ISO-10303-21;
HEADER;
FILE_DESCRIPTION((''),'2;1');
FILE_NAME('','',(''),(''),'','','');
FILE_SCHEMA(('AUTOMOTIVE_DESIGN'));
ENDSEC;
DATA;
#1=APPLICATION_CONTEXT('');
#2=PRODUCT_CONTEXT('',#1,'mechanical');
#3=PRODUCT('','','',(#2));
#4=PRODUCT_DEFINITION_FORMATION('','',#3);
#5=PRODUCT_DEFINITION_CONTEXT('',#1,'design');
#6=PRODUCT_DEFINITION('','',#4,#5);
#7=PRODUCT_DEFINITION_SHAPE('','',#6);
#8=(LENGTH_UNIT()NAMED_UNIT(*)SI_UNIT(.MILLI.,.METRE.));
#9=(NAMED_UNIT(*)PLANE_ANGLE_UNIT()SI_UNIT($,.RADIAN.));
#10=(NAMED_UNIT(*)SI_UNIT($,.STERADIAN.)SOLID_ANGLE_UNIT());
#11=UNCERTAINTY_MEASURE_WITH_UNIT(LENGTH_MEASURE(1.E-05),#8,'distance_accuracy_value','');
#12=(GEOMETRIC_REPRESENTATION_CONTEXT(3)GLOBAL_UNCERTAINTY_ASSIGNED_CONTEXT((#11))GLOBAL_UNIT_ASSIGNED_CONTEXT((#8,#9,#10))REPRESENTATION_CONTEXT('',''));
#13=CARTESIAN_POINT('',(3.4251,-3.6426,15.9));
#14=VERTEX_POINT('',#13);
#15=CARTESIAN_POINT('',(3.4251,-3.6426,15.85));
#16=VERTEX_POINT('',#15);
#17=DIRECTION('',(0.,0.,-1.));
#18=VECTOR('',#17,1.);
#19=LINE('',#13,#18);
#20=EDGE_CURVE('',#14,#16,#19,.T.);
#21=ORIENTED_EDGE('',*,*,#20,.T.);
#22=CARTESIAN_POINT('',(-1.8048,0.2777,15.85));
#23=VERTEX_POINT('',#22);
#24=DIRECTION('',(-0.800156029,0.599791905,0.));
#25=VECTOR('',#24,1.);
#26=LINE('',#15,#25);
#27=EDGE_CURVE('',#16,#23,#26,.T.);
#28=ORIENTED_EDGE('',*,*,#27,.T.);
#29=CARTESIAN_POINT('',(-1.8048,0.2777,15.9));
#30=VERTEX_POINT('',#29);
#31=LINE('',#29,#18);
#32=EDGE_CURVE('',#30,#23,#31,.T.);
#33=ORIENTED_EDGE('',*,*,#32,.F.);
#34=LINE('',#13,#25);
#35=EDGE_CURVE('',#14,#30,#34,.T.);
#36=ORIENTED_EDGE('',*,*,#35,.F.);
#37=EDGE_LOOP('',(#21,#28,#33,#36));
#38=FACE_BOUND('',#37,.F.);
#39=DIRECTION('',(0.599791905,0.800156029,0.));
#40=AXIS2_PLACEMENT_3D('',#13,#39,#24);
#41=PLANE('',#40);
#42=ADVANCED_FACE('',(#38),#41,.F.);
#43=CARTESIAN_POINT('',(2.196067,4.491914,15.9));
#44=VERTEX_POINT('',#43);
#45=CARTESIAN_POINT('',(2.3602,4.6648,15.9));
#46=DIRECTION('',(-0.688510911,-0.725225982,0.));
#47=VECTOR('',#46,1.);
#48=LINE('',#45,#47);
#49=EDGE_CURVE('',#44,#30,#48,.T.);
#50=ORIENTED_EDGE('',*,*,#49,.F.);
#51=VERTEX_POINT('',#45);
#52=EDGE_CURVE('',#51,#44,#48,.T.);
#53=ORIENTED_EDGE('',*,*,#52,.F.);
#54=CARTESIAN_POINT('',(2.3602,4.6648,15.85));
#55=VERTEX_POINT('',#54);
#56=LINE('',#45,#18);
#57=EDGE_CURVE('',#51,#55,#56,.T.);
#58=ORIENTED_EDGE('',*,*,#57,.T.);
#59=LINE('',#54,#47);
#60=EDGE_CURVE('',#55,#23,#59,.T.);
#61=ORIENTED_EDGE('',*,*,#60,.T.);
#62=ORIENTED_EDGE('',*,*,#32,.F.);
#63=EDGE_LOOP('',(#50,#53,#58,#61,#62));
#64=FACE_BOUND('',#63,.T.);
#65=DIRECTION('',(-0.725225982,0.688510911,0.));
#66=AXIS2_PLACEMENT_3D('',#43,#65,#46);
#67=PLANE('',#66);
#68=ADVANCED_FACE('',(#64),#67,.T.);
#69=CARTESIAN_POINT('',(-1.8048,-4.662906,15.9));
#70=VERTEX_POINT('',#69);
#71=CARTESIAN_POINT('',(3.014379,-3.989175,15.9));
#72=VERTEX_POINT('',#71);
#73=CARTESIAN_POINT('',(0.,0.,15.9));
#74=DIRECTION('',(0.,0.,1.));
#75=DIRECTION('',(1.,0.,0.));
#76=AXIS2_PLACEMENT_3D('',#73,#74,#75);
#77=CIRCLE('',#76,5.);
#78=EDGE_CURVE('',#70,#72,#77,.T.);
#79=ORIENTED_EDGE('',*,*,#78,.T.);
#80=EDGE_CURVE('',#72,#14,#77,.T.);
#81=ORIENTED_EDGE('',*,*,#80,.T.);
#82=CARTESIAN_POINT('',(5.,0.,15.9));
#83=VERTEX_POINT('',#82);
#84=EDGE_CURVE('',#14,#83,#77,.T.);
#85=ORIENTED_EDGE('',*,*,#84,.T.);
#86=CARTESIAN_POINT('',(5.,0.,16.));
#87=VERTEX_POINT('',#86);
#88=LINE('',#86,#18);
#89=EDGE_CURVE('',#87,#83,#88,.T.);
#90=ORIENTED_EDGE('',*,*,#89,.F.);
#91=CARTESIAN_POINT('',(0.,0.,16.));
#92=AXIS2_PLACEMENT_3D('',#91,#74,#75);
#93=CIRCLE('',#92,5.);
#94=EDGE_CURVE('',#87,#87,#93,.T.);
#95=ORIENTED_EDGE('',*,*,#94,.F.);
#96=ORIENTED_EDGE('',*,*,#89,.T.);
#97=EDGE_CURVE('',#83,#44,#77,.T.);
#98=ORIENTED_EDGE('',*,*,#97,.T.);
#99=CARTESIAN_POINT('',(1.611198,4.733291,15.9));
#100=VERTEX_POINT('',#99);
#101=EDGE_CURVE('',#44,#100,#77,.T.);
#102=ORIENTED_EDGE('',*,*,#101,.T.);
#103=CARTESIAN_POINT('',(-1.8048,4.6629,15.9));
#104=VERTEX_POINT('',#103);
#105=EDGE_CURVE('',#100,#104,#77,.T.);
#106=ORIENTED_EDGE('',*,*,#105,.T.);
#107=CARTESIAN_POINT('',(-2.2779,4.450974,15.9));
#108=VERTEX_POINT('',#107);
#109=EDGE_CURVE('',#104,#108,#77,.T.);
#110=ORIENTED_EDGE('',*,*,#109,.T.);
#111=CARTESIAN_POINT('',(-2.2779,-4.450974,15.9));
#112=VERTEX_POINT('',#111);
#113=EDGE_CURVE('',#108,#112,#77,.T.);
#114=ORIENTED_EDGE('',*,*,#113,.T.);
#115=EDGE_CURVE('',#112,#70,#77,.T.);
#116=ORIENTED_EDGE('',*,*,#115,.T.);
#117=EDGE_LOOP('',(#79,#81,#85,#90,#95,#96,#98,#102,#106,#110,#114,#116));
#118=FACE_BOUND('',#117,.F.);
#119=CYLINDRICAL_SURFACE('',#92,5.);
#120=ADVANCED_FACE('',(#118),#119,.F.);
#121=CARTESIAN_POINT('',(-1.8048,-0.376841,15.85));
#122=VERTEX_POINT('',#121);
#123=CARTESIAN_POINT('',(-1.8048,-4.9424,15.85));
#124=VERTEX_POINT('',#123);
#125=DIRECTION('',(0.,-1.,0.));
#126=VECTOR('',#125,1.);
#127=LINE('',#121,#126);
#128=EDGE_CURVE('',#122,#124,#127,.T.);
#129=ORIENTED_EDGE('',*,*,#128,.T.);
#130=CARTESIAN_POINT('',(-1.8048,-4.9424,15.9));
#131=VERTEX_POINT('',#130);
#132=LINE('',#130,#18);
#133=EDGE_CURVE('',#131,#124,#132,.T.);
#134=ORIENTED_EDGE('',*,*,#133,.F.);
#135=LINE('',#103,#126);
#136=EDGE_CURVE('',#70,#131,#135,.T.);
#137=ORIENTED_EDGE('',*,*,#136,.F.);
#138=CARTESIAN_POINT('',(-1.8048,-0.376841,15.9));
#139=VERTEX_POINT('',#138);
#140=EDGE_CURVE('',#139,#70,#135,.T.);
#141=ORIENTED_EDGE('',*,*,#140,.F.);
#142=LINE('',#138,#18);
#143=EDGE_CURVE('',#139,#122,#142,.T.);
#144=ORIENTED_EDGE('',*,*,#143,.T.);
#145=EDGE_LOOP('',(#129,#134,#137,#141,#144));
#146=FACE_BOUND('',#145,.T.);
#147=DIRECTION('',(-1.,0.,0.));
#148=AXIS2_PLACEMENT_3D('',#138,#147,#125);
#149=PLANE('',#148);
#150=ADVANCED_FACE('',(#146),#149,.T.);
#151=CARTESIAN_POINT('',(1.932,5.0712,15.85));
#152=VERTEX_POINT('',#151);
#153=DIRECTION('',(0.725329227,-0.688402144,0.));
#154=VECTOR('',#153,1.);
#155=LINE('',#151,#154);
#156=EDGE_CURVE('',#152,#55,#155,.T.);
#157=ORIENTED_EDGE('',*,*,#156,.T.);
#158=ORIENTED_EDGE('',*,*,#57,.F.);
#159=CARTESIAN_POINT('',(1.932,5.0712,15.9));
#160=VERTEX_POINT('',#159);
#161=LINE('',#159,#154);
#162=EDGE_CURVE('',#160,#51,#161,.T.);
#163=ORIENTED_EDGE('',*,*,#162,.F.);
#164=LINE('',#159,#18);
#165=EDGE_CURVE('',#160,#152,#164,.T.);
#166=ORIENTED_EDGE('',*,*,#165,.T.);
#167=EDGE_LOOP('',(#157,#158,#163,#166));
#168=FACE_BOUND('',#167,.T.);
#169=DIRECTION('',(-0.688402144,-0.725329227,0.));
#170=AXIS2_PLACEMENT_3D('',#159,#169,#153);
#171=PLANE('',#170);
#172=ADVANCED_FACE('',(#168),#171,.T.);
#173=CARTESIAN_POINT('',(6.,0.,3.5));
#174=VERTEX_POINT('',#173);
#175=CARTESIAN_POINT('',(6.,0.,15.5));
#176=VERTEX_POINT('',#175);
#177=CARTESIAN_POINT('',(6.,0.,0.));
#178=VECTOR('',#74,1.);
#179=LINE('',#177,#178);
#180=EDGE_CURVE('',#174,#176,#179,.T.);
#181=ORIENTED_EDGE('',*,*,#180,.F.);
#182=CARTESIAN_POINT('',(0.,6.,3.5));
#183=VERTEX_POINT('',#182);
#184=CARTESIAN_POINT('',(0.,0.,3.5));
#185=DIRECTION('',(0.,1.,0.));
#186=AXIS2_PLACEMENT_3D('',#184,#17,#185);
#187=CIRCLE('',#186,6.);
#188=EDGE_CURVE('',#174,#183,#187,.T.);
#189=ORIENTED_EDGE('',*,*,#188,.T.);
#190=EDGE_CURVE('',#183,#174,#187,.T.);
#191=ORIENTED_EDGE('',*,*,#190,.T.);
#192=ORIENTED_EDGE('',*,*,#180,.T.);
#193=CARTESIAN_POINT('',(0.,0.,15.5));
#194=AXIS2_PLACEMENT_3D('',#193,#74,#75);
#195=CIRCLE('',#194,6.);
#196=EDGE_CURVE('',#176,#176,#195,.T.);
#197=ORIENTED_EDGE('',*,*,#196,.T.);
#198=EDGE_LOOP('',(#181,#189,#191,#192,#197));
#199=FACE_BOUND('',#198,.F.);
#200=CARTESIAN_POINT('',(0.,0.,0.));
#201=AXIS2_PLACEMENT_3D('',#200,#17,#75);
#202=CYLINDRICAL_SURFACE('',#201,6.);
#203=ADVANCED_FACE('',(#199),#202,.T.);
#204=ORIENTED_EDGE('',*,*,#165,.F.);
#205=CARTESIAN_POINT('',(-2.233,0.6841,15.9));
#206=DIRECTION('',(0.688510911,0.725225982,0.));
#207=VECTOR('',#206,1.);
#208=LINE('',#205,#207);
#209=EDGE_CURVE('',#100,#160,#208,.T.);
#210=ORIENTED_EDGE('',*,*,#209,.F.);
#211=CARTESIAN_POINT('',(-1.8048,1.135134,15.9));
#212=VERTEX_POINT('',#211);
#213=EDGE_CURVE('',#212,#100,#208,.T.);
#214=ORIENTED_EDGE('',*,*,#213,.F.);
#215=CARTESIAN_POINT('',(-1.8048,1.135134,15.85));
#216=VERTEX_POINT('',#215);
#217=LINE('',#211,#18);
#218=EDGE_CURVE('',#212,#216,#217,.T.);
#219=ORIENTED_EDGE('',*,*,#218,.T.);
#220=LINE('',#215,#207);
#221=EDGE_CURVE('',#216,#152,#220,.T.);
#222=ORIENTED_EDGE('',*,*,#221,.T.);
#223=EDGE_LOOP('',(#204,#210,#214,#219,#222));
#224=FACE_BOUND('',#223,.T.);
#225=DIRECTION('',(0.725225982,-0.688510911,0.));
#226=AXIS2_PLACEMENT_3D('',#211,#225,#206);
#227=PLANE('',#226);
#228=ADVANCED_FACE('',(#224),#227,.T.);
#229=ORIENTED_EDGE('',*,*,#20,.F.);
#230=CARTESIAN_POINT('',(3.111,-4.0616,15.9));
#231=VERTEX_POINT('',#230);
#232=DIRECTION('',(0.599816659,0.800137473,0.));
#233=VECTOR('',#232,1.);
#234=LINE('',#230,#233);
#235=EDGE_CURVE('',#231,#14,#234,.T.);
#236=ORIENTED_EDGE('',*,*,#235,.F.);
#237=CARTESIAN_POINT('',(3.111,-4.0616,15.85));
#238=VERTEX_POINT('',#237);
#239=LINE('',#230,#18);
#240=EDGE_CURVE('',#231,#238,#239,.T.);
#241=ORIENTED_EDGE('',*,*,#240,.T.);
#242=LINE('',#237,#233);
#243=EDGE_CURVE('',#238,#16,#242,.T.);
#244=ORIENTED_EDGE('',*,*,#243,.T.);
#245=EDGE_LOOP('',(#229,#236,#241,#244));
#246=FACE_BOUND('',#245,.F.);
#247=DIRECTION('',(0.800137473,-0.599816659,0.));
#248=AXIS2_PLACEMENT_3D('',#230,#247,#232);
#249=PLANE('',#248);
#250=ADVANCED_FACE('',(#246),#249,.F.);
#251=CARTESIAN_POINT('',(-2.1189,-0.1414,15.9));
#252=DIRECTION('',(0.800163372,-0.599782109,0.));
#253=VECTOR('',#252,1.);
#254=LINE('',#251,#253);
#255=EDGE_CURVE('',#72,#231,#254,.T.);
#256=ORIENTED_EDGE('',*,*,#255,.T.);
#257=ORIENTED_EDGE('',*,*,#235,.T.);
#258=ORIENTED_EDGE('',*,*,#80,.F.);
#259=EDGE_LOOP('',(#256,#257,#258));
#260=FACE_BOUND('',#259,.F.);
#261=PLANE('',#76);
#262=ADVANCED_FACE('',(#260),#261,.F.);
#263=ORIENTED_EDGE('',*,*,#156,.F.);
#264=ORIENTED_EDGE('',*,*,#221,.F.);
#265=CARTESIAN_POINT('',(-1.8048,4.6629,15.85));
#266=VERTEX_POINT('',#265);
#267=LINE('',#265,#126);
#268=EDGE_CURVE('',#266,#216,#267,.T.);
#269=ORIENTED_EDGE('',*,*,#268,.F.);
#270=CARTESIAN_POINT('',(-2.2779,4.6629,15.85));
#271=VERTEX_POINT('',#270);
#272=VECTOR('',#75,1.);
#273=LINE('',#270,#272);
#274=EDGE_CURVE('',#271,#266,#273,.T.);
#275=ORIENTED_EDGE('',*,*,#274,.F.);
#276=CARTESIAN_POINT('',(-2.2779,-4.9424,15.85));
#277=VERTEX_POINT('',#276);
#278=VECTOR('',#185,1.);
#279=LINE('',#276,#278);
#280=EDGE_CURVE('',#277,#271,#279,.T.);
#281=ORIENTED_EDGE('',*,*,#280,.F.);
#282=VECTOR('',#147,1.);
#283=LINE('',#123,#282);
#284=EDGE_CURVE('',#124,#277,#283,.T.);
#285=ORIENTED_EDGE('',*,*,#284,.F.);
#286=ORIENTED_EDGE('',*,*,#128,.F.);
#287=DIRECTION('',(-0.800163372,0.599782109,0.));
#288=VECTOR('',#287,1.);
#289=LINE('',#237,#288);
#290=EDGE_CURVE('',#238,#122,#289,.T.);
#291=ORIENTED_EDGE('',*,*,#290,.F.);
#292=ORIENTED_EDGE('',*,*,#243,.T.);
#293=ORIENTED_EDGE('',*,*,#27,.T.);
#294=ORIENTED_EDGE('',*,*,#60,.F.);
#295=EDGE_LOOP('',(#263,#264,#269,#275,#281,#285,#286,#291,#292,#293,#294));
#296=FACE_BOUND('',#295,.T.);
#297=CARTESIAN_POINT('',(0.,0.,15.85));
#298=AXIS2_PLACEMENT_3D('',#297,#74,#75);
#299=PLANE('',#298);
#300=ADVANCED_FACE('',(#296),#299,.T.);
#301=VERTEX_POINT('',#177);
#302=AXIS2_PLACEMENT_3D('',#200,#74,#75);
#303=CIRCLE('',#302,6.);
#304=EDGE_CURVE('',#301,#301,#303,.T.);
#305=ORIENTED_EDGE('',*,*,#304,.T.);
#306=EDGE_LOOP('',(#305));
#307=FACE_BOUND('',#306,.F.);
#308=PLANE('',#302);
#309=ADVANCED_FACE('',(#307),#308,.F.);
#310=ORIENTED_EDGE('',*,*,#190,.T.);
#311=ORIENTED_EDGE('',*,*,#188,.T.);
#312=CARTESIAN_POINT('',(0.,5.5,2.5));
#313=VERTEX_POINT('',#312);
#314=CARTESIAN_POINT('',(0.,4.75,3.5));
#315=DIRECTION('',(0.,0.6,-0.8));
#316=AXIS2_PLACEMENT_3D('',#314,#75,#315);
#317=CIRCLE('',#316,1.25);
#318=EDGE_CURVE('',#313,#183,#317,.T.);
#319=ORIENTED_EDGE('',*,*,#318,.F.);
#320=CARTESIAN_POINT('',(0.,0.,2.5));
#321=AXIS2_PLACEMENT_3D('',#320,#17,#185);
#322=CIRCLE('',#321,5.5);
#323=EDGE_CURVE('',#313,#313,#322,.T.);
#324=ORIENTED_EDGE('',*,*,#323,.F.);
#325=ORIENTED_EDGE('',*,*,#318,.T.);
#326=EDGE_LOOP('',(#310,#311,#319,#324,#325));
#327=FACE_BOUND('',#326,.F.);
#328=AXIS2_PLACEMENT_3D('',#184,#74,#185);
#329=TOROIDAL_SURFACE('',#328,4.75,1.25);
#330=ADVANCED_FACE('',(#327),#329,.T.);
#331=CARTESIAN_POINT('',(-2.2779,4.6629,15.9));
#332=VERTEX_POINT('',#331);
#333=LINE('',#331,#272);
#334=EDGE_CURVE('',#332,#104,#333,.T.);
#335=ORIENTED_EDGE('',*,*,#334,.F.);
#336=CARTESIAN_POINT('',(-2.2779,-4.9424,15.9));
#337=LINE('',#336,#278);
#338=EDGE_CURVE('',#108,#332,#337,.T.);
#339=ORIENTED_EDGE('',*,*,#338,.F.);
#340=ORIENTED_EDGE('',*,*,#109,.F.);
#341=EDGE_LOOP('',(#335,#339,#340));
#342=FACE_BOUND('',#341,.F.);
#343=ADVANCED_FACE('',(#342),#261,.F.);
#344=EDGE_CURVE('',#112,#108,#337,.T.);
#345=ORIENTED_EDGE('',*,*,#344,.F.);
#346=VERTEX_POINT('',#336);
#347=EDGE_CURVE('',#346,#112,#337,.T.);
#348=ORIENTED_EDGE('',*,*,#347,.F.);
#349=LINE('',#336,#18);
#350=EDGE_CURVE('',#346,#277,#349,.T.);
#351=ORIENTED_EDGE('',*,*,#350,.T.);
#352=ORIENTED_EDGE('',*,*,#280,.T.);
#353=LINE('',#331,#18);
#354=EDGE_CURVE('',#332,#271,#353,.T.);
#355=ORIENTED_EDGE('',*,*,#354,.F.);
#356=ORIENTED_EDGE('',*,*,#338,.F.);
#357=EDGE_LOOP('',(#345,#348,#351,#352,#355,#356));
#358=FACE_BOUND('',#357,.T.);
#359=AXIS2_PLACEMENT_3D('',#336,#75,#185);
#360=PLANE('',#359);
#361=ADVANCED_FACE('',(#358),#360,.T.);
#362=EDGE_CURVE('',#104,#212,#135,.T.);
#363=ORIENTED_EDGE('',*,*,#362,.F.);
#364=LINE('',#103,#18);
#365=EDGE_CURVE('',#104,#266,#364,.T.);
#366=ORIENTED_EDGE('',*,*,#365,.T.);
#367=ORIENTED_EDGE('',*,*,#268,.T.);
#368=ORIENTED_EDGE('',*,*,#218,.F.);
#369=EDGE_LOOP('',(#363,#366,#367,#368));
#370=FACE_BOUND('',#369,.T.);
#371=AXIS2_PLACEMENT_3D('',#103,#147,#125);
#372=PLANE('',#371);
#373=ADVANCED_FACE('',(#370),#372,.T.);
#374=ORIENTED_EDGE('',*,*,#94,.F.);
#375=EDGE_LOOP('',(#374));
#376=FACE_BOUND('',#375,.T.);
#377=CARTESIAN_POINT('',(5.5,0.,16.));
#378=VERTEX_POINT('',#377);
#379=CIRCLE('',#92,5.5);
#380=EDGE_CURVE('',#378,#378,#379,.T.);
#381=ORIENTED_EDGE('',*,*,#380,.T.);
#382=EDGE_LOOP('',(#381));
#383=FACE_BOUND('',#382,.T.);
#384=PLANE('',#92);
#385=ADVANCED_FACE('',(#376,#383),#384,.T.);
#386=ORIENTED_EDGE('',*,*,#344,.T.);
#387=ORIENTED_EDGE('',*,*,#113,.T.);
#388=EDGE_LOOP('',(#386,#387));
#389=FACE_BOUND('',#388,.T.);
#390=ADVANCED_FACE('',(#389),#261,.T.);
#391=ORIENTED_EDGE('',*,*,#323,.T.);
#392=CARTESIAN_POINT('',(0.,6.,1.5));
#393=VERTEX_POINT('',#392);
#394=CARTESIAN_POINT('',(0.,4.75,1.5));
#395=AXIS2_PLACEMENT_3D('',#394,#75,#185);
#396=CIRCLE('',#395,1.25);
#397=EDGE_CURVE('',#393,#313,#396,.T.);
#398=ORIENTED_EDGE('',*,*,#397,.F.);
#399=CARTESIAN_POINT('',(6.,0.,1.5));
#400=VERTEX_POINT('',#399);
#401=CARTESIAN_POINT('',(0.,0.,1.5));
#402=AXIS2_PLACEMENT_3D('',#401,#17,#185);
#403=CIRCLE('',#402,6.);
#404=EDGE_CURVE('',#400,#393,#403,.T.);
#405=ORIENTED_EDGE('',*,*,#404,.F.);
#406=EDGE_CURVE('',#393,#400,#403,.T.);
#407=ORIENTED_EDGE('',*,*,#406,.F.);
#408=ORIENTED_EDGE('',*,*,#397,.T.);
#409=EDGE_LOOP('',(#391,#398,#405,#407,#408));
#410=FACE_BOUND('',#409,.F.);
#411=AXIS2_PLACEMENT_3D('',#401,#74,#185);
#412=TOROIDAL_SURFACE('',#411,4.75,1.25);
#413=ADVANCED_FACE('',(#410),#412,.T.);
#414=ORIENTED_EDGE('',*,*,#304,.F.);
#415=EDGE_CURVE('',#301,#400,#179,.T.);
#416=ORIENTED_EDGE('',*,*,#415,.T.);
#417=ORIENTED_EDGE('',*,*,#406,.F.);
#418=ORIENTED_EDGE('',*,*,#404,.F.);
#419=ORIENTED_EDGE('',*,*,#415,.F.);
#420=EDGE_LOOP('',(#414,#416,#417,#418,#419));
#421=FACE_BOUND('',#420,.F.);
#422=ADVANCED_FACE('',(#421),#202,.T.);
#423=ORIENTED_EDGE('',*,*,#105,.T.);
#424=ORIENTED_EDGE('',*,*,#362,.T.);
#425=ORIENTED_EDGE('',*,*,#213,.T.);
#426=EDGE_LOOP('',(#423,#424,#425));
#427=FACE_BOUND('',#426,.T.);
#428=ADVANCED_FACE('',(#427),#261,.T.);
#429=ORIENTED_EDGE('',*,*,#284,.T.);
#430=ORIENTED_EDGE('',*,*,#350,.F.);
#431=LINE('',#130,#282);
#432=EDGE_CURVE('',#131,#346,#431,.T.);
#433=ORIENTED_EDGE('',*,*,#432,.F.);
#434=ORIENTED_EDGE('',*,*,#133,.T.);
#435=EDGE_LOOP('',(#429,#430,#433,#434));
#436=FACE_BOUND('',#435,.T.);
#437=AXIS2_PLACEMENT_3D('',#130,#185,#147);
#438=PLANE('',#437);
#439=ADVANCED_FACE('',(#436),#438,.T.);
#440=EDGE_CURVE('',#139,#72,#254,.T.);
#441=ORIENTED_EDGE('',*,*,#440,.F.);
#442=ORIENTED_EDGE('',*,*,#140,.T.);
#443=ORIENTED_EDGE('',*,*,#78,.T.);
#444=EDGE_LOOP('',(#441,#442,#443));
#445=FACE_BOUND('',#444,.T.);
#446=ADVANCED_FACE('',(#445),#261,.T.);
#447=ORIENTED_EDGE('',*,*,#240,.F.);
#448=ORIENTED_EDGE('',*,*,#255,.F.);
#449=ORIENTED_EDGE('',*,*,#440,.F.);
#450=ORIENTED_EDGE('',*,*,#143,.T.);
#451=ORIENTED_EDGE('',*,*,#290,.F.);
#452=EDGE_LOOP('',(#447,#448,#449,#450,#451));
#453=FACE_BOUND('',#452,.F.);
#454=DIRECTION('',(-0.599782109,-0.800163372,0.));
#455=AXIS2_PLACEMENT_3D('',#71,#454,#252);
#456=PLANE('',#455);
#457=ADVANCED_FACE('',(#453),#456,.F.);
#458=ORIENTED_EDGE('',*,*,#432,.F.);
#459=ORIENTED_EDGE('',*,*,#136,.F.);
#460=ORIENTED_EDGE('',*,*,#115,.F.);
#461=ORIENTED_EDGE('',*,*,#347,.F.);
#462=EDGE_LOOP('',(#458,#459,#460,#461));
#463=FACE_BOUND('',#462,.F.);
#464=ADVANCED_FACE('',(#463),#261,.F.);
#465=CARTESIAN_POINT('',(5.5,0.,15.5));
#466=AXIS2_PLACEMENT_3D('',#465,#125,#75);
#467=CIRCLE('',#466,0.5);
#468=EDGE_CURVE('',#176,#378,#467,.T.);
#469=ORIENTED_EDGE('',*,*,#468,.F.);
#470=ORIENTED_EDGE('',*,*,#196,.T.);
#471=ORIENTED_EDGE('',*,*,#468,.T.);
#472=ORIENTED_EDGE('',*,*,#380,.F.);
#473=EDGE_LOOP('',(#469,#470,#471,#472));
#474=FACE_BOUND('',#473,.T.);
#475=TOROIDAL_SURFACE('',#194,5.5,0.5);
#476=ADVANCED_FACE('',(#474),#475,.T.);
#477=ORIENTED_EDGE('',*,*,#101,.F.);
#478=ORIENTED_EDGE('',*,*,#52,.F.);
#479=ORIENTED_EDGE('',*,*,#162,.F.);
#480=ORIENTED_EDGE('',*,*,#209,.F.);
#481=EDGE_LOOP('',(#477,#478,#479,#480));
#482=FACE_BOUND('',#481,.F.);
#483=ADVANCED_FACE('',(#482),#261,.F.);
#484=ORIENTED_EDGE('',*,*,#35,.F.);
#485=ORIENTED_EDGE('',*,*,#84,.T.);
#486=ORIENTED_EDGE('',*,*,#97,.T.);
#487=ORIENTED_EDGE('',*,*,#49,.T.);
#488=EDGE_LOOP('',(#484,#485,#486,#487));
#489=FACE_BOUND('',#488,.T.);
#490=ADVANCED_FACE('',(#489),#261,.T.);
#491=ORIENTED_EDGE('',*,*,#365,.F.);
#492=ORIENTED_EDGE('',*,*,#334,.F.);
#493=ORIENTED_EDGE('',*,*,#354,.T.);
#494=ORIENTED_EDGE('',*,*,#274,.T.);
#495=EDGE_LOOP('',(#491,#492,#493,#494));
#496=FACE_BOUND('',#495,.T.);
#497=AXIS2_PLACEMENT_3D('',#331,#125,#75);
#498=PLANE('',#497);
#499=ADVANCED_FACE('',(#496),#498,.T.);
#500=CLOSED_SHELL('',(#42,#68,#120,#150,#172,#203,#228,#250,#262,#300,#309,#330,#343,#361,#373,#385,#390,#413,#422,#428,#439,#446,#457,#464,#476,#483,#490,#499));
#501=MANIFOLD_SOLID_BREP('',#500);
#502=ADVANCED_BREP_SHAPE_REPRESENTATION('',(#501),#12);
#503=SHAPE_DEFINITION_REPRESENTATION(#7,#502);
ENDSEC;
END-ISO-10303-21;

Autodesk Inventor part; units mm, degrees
ref_plane "YZ Plane" through (0, 0, 0) normal (1, 0, 0) x (0, 1, 0)
ref_plane "XZ Plane" through (0, 0, 0) normal (0, 1, 0) x (-1, 0, 0)
sketch "Sketch1" plane through (0, 0, 0) normal (0, 0, 1) x (1, 0, 0)
  line L0 (0, 9.6) -> (0, -7.2) construction
  line L1 (-7.2, 0) -> (9.6, 0) construction
  circle A0 centre (0, 0) radius 6
  dimension "d0" = 12
extrude "Extrusion1" add sketch "Sketch1" along normal blind 16
sketch "Sketch6" plane through (0, 0, 0) normal (1, 0, 0) x (0, 1, 0)
  line L0 (0, 20.8) -> (0, -1.6) projected
  line L1 (6, 0) -> (6, 16) projected
  line L2 (6, 3.5) -> (6, 1.5)
  line L3 (6, 2.5) -> (5.5, 2.5) construction
  line L4 (-6, 0) -> (6, 0) construction
  arc A0 (5.5, 2.5) -> (6, 3.5) centre (4.75, 3.5) ccw
  arc A1 (6, 1.5) -> (5.5, 2.5) centre (4.75, 1.5) ccw
  point P0 (0, 0)
  dimension "d16" = 2
  dimension "d17" = 2.5
  dimension "d18" = 0.5
revolve "Revolution1" cut sketch "Sketch6" angle 360 about axis through (0, 0, 0) along (0, 0, -1)
sketch "Sketch2" plane through (0, 0, 16) normal (0, 0, 1) x (1, 0, 0)
  circle A0 centre (0, 0) radius 6 projected
  circle A1 centre (0, 0) radius 5
  dimension "d3" = 1
extrude "Extrusion2" cut sketch "Sketch2" against normal blind 0.1 contours A1
sketch "Sketch3" plane through (0, 0, 15.9) normal (0, 0, 1) x (1, 0, 0)
  line L0 (-2.2779, 4.6629) -> (-1.8048, 4.6629)
  line L1 (-1.8048, 4.6629) -> (-1.8048, -4.9424)
  line L2 (-1.8048, -4.9424) -> (-2.2779, -4.9424)
  line L3 (-2.2779, -4.9424) -> (-2.2779, 4.6629)
  line L4 (-1.8048, 0.2777) -> (-2.233, 0.6841)
  line L5 (-2.233, 0.6841) -> (1.932, 5.0712)
  line L6 (1.932, 5.0712) -> (2.3602, 4.6648)
  line L7 (2.3602, 4.6648) -> (-1.8048, 0.2777)
  line L8 (-1.8048, 0.2777) -> (-2.1189, -0.1414)
  line L9 (-2.1189, -0.1414) -> (3.111, -4.0616)
  line L10 (3.111, -4.0616) -> (3.4251, -3.6426)
  line L11 (3.4251, -3.6426) -> (-1.8048, 0.2777)
  circle A0 centre (0, 0) radius 5 projected
extrude "Extrusion3" cut sketch "Sketch3" against normal blind 0.05 contours L0 A0 L3 | L1 L5 L4 L8 L9 A0 L3 | L5 A0 L7 L1 | L1 L4 L5 | L5 L6 L7 A0 | A0 L1 L2 L3 | L11 A0 L9 L1 | L1 L9 L8 | L10 L9 A0
fillet "Fillet1" radius 0.5 1 edges at (-6, 0, 16)
sketch "Sketch5" plane through (0, 0, 16) normal (0, 0, 1) x (1, 0, 0)
  circle A0 centre (0, 0) radius 5 projected
  circle A1 centre (0, 0) radius 6 projected
  line L0 (2, -4.5826) -> (2, -7)
  line L1 (2, -7) -> (-2, -7)
  line L2 (-2, -7) -> (-2, -4.5826)
  line L3 (0, -7.2) -> (0, 9.6) projected
  point P0 (0, -6)
  point P1 (0, -6)
  dimension "d12" = 1
  dimension "d13" = 4
split_face "Split1"
ref_plane "Work Plane1" through (10, 0, 0) normal (1, 0, 0) x (0, 1, 0)
properties part number "config - capasitor 3500 μF"
